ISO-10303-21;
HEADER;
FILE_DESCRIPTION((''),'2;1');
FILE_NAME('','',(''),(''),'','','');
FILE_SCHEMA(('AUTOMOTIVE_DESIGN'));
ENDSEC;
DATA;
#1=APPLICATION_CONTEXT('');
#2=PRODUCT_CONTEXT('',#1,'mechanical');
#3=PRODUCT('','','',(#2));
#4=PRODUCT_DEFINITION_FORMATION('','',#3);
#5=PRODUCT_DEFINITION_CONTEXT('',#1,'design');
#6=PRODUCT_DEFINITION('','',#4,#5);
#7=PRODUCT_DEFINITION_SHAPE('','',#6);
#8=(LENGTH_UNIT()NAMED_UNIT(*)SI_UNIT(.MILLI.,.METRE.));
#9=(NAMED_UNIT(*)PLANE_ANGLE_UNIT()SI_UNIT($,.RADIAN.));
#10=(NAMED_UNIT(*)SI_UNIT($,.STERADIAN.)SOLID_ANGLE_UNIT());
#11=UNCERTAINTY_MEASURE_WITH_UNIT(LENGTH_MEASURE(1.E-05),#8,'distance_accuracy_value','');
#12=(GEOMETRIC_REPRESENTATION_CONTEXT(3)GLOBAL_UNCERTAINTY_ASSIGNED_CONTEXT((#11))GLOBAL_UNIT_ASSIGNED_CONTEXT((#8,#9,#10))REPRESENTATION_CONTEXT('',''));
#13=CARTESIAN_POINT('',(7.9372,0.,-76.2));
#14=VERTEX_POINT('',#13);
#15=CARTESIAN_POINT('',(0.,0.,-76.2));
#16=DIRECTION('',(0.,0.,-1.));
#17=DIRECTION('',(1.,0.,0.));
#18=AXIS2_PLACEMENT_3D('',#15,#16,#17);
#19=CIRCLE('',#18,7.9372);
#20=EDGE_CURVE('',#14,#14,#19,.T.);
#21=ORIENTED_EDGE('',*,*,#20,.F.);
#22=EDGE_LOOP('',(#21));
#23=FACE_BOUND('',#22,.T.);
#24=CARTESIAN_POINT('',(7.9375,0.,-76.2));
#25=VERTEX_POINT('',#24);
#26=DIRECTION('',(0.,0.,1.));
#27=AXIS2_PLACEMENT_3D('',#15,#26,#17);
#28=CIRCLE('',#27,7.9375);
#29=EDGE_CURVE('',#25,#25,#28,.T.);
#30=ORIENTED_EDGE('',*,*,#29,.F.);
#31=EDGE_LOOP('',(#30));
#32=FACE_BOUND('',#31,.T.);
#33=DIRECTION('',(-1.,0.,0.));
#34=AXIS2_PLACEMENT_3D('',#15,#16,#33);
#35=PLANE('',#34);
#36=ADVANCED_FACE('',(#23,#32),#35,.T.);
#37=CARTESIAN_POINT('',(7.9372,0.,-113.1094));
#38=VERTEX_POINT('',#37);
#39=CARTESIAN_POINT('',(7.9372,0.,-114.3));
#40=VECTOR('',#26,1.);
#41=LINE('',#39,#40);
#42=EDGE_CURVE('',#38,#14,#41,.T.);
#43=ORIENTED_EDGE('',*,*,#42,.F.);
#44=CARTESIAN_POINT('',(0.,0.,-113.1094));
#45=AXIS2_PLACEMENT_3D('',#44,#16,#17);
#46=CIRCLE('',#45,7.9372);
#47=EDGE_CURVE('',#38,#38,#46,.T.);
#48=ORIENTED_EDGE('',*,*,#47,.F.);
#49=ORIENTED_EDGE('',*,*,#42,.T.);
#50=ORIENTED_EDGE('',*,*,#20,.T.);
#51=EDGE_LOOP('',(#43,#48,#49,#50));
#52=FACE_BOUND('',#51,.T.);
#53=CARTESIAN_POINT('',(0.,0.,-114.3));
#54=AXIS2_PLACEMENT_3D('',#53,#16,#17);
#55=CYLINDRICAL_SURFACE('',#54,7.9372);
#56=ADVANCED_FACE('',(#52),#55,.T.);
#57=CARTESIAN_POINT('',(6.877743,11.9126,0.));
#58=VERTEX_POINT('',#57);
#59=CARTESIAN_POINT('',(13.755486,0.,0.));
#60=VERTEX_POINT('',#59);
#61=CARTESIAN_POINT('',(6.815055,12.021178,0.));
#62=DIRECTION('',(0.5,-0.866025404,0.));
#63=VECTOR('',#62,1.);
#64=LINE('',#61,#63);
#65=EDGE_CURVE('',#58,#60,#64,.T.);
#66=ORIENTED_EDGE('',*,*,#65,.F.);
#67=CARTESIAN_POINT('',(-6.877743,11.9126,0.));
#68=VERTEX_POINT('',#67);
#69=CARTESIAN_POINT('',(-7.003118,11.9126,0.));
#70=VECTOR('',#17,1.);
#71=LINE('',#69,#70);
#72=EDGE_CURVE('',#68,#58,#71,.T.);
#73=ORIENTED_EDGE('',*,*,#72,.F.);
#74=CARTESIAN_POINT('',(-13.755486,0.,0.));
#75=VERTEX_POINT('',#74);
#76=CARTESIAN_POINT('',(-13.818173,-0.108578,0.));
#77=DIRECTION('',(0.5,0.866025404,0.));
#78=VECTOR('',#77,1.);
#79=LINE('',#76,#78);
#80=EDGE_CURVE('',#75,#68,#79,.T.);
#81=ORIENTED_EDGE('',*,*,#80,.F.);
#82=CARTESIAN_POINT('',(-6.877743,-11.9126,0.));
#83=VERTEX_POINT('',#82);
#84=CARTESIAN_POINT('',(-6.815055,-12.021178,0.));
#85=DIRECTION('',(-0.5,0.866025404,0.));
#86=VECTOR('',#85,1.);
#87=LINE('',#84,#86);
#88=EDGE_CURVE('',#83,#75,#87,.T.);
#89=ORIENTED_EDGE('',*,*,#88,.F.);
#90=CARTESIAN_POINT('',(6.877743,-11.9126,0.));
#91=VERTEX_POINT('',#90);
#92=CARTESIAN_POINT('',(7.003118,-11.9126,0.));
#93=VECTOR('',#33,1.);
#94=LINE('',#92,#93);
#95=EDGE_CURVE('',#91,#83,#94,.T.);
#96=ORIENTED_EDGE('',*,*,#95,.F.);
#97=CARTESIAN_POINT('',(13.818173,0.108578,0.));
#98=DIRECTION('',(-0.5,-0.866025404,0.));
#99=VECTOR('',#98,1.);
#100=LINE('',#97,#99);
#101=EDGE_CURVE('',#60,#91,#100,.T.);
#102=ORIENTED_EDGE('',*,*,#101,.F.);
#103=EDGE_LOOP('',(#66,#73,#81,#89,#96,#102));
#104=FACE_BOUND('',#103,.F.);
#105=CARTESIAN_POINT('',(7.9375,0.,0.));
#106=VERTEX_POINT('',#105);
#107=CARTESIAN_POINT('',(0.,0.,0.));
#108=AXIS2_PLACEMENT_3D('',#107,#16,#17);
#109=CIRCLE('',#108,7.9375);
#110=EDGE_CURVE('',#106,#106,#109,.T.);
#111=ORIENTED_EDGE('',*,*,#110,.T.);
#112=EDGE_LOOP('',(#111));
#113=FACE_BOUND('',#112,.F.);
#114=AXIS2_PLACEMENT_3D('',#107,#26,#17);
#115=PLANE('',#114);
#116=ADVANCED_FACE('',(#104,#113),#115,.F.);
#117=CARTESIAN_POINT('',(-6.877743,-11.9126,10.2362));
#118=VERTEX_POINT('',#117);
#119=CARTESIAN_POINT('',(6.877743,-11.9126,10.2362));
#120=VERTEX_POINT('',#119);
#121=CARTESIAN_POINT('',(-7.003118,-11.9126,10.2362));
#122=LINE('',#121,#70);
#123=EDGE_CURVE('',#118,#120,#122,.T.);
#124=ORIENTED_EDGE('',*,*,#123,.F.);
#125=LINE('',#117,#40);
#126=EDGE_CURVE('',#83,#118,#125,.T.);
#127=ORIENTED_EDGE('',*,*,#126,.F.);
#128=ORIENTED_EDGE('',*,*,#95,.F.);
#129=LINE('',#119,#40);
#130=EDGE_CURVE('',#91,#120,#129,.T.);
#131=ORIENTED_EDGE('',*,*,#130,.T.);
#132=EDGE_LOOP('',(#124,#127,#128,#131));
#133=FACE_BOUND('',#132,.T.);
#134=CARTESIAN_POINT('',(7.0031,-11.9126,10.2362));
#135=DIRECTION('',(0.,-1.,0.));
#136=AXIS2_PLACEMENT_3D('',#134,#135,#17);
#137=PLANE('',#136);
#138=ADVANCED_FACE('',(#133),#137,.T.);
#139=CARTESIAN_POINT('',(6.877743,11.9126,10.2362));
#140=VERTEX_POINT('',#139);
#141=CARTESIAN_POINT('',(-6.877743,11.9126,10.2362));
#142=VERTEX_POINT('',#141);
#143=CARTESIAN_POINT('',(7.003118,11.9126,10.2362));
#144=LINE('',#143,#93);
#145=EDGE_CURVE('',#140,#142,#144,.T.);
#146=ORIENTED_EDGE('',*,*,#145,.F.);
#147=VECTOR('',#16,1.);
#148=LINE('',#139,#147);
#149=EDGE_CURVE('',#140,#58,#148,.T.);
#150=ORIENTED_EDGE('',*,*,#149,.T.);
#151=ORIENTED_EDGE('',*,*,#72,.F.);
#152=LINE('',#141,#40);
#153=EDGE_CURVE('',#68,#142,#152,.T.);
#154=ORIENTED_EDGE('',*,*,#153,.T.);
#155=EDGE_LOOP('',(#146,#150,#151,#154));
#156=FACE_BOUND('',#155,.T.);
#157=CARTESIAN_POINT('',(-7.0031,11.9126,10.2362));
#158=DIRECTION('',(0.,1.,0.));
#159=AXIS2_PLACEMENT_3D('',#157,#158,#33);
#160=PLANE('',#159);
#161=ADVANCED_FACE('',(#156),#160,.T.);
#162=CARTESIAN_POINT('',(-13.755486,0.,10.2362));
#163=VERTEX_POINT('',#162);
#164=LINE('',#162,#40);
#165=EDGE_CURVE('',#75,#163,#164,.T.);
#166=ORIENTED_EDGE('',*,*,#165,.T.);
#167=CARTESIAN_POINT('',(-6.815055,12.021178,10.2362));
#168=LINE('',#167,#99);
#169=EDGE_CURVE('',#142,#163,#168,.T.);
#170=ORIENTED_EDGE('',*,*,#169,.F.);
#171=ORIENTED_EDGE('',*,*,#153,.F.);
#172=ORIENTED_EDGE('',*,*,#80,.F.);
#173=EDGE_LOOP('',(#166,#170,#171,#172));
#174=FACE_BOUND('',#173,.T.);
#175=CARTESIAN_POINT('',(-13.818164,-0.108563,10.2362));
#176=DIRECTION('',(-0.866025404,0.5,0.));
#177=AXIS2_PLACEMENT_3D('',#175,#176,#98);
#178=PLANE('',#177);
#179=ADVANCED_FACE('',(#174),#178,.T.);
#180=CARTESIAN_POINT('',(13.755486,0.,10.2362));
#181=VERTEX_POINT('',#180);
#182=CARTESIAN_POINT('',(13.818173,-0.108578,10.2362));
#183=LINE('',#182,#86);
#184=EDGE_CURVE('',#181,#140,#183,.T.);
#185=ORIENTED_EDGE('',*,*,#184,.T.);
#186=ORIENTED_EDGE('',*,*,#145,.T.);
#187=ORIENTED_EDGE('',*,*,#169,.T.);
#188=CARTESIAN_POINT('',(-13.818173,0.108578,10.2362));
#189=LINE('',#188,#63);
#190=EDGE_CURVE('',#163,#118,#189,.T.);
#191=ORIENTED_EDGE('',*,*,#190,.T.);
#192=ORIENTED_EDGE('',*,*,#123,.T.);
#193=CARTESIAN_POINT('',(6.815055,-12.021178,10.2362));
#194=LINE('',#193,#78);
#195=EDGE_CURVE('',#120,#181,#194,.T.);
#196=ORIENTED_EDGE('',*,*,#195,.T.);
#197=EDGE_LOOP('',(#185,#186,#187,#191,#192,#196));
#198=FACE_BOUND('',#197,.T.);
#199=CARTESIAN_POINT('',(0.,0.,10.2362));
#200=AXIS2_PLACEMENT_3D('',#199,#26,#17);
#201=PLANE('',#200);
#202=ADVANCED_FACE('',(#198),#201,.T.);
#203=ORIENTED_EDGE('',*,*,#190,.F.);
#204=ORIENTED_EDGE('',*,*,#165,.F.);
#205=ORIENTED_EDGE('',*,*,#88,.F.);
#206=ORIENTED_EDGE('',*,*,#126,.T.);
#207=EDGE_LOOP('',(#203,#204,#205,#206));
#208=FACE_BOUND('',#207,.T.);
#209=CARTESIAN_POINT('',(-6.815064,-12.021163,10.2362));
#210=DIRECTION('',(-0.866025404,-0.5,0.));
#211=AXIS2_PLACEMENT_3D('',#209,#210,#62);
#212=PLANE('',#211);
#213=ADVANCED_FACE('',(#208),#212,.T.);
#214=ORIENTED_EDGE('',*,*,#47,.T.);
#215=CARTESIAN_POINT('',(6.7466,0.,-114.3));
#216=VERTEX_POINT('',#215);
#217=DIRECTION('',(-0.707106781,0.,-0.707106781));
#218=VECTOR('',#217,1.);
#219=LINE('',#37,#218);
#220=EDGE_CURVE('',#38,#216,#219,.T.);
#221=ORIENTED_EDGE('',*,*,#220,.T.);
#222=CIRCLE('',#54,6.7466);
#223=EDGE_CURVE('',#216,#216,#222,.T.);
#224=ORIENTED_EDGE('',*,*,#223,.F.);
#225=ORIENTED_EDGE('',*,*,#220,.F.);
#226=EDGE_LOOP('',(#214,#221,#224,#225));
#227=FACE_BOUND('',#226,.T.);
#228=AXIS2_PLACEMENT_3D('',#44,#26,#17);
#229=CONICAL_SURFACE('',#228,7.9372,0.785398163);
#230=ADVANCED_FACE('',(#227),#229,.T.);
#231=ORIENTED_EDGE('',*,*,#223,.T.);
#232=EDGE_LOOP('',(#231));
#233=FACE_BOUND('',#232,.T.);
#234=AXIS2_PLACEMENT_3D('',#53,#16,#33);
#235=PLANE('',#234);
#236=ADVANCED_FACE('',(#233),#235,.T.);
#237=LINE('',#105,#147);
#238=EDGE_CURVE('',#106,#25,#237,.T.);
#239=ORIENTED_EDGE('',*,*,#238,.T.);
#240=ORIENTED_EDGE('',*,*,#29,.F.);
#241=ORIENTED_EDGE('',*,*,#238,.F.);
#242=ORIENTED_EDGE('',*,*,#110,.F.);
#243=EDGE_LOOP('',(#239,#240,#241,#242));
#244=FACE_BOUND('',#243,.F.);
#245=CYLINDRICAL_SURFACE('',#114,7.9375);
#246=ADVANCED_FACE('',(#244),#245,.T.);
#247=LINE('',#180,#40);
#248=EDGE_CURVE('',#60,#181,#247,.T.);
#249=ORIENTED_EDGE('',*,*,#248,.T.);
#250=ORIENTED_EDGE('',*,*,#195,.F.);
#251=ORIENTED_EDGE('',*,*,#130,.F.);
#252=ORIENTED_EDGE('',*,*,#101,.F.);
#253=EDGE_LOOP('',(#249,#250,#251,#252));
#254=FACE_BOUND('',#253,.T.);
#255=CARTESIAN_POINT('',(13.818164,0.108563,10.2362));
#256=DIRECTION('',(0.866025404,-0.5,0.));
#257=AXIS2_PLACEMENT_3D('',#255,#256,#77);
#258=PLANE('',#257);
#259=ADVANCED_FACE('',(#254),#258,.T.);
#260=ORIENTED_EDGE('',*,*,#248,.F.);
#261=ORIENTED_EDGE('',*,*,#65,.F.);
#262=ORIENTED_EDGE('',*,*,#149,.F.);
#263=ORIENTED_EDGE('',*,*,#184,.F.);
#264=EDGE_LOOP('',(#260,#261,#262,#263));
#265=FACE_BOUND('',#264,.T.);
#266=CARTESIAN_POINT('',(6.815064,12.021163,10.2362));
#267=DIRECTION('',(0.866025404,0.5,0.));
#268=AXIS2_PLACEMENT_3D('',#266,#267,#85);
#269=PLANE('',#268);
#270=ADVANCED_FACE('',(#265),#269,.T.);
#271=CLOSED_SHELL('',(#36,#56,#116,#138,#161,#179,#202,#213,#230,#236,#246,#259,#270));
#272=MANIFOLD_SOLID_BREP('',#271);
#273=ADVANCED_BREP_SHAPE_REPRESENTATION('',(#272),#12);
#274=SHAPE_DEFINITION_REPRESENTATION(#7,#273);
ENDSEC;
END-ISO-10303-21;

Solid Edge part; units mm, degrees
sketch "Sketch1" plane through (0, 0, 0) normal (0, 0, 1) x (1, 0, 0)
  circle A0 centre (0, 0) radius 13.8186
  dimension "D1" = 27.6372
extrude "Protrusion1" add sketch "Sketch1" along normal blind 10.2362
sketch "Sketch2" plane through (0, 0, 0) normal (0, 0, -1) x (1, 0, 0)
  circle A0 centre (0, 0) radius 7.9375
extrude "Protrusion2" add sketch "Sketch2" along normal blind 114.3
sketch "Sketch3" plane through (0, 0, -114.3) normal (0, 0, -1) x (1, 0, 0)
  circle A0 centre (0, 0) radius 7.9372
extrude "Cutout1" cut sketch "Sketch3" against normal blind 38.1 flip side to cut
chamfer "Chamfer_1" distance 1.1906 angle 45 1 edges at (-7.9372, 0, -114.3)
sketch "Sketch4" plane through (0, 0, 10.2362) normal (0, 0, 1) x (1, 0, 0)
  line L0 (-7.0031, 11.9126) -> (7.0031, 11.9126)
  dimension "D1" = 23.8252
extrude "Cutout2" cut sketch "Sketch4" against normal up to next material side at (0, 11.9626, 10.2362)
pattern_circular "Pattern1" count 6 over 360 about axis through (0, 0, 10.2362) along (0, 0, 1) of "Cutout2"
properties part number "24102124"
